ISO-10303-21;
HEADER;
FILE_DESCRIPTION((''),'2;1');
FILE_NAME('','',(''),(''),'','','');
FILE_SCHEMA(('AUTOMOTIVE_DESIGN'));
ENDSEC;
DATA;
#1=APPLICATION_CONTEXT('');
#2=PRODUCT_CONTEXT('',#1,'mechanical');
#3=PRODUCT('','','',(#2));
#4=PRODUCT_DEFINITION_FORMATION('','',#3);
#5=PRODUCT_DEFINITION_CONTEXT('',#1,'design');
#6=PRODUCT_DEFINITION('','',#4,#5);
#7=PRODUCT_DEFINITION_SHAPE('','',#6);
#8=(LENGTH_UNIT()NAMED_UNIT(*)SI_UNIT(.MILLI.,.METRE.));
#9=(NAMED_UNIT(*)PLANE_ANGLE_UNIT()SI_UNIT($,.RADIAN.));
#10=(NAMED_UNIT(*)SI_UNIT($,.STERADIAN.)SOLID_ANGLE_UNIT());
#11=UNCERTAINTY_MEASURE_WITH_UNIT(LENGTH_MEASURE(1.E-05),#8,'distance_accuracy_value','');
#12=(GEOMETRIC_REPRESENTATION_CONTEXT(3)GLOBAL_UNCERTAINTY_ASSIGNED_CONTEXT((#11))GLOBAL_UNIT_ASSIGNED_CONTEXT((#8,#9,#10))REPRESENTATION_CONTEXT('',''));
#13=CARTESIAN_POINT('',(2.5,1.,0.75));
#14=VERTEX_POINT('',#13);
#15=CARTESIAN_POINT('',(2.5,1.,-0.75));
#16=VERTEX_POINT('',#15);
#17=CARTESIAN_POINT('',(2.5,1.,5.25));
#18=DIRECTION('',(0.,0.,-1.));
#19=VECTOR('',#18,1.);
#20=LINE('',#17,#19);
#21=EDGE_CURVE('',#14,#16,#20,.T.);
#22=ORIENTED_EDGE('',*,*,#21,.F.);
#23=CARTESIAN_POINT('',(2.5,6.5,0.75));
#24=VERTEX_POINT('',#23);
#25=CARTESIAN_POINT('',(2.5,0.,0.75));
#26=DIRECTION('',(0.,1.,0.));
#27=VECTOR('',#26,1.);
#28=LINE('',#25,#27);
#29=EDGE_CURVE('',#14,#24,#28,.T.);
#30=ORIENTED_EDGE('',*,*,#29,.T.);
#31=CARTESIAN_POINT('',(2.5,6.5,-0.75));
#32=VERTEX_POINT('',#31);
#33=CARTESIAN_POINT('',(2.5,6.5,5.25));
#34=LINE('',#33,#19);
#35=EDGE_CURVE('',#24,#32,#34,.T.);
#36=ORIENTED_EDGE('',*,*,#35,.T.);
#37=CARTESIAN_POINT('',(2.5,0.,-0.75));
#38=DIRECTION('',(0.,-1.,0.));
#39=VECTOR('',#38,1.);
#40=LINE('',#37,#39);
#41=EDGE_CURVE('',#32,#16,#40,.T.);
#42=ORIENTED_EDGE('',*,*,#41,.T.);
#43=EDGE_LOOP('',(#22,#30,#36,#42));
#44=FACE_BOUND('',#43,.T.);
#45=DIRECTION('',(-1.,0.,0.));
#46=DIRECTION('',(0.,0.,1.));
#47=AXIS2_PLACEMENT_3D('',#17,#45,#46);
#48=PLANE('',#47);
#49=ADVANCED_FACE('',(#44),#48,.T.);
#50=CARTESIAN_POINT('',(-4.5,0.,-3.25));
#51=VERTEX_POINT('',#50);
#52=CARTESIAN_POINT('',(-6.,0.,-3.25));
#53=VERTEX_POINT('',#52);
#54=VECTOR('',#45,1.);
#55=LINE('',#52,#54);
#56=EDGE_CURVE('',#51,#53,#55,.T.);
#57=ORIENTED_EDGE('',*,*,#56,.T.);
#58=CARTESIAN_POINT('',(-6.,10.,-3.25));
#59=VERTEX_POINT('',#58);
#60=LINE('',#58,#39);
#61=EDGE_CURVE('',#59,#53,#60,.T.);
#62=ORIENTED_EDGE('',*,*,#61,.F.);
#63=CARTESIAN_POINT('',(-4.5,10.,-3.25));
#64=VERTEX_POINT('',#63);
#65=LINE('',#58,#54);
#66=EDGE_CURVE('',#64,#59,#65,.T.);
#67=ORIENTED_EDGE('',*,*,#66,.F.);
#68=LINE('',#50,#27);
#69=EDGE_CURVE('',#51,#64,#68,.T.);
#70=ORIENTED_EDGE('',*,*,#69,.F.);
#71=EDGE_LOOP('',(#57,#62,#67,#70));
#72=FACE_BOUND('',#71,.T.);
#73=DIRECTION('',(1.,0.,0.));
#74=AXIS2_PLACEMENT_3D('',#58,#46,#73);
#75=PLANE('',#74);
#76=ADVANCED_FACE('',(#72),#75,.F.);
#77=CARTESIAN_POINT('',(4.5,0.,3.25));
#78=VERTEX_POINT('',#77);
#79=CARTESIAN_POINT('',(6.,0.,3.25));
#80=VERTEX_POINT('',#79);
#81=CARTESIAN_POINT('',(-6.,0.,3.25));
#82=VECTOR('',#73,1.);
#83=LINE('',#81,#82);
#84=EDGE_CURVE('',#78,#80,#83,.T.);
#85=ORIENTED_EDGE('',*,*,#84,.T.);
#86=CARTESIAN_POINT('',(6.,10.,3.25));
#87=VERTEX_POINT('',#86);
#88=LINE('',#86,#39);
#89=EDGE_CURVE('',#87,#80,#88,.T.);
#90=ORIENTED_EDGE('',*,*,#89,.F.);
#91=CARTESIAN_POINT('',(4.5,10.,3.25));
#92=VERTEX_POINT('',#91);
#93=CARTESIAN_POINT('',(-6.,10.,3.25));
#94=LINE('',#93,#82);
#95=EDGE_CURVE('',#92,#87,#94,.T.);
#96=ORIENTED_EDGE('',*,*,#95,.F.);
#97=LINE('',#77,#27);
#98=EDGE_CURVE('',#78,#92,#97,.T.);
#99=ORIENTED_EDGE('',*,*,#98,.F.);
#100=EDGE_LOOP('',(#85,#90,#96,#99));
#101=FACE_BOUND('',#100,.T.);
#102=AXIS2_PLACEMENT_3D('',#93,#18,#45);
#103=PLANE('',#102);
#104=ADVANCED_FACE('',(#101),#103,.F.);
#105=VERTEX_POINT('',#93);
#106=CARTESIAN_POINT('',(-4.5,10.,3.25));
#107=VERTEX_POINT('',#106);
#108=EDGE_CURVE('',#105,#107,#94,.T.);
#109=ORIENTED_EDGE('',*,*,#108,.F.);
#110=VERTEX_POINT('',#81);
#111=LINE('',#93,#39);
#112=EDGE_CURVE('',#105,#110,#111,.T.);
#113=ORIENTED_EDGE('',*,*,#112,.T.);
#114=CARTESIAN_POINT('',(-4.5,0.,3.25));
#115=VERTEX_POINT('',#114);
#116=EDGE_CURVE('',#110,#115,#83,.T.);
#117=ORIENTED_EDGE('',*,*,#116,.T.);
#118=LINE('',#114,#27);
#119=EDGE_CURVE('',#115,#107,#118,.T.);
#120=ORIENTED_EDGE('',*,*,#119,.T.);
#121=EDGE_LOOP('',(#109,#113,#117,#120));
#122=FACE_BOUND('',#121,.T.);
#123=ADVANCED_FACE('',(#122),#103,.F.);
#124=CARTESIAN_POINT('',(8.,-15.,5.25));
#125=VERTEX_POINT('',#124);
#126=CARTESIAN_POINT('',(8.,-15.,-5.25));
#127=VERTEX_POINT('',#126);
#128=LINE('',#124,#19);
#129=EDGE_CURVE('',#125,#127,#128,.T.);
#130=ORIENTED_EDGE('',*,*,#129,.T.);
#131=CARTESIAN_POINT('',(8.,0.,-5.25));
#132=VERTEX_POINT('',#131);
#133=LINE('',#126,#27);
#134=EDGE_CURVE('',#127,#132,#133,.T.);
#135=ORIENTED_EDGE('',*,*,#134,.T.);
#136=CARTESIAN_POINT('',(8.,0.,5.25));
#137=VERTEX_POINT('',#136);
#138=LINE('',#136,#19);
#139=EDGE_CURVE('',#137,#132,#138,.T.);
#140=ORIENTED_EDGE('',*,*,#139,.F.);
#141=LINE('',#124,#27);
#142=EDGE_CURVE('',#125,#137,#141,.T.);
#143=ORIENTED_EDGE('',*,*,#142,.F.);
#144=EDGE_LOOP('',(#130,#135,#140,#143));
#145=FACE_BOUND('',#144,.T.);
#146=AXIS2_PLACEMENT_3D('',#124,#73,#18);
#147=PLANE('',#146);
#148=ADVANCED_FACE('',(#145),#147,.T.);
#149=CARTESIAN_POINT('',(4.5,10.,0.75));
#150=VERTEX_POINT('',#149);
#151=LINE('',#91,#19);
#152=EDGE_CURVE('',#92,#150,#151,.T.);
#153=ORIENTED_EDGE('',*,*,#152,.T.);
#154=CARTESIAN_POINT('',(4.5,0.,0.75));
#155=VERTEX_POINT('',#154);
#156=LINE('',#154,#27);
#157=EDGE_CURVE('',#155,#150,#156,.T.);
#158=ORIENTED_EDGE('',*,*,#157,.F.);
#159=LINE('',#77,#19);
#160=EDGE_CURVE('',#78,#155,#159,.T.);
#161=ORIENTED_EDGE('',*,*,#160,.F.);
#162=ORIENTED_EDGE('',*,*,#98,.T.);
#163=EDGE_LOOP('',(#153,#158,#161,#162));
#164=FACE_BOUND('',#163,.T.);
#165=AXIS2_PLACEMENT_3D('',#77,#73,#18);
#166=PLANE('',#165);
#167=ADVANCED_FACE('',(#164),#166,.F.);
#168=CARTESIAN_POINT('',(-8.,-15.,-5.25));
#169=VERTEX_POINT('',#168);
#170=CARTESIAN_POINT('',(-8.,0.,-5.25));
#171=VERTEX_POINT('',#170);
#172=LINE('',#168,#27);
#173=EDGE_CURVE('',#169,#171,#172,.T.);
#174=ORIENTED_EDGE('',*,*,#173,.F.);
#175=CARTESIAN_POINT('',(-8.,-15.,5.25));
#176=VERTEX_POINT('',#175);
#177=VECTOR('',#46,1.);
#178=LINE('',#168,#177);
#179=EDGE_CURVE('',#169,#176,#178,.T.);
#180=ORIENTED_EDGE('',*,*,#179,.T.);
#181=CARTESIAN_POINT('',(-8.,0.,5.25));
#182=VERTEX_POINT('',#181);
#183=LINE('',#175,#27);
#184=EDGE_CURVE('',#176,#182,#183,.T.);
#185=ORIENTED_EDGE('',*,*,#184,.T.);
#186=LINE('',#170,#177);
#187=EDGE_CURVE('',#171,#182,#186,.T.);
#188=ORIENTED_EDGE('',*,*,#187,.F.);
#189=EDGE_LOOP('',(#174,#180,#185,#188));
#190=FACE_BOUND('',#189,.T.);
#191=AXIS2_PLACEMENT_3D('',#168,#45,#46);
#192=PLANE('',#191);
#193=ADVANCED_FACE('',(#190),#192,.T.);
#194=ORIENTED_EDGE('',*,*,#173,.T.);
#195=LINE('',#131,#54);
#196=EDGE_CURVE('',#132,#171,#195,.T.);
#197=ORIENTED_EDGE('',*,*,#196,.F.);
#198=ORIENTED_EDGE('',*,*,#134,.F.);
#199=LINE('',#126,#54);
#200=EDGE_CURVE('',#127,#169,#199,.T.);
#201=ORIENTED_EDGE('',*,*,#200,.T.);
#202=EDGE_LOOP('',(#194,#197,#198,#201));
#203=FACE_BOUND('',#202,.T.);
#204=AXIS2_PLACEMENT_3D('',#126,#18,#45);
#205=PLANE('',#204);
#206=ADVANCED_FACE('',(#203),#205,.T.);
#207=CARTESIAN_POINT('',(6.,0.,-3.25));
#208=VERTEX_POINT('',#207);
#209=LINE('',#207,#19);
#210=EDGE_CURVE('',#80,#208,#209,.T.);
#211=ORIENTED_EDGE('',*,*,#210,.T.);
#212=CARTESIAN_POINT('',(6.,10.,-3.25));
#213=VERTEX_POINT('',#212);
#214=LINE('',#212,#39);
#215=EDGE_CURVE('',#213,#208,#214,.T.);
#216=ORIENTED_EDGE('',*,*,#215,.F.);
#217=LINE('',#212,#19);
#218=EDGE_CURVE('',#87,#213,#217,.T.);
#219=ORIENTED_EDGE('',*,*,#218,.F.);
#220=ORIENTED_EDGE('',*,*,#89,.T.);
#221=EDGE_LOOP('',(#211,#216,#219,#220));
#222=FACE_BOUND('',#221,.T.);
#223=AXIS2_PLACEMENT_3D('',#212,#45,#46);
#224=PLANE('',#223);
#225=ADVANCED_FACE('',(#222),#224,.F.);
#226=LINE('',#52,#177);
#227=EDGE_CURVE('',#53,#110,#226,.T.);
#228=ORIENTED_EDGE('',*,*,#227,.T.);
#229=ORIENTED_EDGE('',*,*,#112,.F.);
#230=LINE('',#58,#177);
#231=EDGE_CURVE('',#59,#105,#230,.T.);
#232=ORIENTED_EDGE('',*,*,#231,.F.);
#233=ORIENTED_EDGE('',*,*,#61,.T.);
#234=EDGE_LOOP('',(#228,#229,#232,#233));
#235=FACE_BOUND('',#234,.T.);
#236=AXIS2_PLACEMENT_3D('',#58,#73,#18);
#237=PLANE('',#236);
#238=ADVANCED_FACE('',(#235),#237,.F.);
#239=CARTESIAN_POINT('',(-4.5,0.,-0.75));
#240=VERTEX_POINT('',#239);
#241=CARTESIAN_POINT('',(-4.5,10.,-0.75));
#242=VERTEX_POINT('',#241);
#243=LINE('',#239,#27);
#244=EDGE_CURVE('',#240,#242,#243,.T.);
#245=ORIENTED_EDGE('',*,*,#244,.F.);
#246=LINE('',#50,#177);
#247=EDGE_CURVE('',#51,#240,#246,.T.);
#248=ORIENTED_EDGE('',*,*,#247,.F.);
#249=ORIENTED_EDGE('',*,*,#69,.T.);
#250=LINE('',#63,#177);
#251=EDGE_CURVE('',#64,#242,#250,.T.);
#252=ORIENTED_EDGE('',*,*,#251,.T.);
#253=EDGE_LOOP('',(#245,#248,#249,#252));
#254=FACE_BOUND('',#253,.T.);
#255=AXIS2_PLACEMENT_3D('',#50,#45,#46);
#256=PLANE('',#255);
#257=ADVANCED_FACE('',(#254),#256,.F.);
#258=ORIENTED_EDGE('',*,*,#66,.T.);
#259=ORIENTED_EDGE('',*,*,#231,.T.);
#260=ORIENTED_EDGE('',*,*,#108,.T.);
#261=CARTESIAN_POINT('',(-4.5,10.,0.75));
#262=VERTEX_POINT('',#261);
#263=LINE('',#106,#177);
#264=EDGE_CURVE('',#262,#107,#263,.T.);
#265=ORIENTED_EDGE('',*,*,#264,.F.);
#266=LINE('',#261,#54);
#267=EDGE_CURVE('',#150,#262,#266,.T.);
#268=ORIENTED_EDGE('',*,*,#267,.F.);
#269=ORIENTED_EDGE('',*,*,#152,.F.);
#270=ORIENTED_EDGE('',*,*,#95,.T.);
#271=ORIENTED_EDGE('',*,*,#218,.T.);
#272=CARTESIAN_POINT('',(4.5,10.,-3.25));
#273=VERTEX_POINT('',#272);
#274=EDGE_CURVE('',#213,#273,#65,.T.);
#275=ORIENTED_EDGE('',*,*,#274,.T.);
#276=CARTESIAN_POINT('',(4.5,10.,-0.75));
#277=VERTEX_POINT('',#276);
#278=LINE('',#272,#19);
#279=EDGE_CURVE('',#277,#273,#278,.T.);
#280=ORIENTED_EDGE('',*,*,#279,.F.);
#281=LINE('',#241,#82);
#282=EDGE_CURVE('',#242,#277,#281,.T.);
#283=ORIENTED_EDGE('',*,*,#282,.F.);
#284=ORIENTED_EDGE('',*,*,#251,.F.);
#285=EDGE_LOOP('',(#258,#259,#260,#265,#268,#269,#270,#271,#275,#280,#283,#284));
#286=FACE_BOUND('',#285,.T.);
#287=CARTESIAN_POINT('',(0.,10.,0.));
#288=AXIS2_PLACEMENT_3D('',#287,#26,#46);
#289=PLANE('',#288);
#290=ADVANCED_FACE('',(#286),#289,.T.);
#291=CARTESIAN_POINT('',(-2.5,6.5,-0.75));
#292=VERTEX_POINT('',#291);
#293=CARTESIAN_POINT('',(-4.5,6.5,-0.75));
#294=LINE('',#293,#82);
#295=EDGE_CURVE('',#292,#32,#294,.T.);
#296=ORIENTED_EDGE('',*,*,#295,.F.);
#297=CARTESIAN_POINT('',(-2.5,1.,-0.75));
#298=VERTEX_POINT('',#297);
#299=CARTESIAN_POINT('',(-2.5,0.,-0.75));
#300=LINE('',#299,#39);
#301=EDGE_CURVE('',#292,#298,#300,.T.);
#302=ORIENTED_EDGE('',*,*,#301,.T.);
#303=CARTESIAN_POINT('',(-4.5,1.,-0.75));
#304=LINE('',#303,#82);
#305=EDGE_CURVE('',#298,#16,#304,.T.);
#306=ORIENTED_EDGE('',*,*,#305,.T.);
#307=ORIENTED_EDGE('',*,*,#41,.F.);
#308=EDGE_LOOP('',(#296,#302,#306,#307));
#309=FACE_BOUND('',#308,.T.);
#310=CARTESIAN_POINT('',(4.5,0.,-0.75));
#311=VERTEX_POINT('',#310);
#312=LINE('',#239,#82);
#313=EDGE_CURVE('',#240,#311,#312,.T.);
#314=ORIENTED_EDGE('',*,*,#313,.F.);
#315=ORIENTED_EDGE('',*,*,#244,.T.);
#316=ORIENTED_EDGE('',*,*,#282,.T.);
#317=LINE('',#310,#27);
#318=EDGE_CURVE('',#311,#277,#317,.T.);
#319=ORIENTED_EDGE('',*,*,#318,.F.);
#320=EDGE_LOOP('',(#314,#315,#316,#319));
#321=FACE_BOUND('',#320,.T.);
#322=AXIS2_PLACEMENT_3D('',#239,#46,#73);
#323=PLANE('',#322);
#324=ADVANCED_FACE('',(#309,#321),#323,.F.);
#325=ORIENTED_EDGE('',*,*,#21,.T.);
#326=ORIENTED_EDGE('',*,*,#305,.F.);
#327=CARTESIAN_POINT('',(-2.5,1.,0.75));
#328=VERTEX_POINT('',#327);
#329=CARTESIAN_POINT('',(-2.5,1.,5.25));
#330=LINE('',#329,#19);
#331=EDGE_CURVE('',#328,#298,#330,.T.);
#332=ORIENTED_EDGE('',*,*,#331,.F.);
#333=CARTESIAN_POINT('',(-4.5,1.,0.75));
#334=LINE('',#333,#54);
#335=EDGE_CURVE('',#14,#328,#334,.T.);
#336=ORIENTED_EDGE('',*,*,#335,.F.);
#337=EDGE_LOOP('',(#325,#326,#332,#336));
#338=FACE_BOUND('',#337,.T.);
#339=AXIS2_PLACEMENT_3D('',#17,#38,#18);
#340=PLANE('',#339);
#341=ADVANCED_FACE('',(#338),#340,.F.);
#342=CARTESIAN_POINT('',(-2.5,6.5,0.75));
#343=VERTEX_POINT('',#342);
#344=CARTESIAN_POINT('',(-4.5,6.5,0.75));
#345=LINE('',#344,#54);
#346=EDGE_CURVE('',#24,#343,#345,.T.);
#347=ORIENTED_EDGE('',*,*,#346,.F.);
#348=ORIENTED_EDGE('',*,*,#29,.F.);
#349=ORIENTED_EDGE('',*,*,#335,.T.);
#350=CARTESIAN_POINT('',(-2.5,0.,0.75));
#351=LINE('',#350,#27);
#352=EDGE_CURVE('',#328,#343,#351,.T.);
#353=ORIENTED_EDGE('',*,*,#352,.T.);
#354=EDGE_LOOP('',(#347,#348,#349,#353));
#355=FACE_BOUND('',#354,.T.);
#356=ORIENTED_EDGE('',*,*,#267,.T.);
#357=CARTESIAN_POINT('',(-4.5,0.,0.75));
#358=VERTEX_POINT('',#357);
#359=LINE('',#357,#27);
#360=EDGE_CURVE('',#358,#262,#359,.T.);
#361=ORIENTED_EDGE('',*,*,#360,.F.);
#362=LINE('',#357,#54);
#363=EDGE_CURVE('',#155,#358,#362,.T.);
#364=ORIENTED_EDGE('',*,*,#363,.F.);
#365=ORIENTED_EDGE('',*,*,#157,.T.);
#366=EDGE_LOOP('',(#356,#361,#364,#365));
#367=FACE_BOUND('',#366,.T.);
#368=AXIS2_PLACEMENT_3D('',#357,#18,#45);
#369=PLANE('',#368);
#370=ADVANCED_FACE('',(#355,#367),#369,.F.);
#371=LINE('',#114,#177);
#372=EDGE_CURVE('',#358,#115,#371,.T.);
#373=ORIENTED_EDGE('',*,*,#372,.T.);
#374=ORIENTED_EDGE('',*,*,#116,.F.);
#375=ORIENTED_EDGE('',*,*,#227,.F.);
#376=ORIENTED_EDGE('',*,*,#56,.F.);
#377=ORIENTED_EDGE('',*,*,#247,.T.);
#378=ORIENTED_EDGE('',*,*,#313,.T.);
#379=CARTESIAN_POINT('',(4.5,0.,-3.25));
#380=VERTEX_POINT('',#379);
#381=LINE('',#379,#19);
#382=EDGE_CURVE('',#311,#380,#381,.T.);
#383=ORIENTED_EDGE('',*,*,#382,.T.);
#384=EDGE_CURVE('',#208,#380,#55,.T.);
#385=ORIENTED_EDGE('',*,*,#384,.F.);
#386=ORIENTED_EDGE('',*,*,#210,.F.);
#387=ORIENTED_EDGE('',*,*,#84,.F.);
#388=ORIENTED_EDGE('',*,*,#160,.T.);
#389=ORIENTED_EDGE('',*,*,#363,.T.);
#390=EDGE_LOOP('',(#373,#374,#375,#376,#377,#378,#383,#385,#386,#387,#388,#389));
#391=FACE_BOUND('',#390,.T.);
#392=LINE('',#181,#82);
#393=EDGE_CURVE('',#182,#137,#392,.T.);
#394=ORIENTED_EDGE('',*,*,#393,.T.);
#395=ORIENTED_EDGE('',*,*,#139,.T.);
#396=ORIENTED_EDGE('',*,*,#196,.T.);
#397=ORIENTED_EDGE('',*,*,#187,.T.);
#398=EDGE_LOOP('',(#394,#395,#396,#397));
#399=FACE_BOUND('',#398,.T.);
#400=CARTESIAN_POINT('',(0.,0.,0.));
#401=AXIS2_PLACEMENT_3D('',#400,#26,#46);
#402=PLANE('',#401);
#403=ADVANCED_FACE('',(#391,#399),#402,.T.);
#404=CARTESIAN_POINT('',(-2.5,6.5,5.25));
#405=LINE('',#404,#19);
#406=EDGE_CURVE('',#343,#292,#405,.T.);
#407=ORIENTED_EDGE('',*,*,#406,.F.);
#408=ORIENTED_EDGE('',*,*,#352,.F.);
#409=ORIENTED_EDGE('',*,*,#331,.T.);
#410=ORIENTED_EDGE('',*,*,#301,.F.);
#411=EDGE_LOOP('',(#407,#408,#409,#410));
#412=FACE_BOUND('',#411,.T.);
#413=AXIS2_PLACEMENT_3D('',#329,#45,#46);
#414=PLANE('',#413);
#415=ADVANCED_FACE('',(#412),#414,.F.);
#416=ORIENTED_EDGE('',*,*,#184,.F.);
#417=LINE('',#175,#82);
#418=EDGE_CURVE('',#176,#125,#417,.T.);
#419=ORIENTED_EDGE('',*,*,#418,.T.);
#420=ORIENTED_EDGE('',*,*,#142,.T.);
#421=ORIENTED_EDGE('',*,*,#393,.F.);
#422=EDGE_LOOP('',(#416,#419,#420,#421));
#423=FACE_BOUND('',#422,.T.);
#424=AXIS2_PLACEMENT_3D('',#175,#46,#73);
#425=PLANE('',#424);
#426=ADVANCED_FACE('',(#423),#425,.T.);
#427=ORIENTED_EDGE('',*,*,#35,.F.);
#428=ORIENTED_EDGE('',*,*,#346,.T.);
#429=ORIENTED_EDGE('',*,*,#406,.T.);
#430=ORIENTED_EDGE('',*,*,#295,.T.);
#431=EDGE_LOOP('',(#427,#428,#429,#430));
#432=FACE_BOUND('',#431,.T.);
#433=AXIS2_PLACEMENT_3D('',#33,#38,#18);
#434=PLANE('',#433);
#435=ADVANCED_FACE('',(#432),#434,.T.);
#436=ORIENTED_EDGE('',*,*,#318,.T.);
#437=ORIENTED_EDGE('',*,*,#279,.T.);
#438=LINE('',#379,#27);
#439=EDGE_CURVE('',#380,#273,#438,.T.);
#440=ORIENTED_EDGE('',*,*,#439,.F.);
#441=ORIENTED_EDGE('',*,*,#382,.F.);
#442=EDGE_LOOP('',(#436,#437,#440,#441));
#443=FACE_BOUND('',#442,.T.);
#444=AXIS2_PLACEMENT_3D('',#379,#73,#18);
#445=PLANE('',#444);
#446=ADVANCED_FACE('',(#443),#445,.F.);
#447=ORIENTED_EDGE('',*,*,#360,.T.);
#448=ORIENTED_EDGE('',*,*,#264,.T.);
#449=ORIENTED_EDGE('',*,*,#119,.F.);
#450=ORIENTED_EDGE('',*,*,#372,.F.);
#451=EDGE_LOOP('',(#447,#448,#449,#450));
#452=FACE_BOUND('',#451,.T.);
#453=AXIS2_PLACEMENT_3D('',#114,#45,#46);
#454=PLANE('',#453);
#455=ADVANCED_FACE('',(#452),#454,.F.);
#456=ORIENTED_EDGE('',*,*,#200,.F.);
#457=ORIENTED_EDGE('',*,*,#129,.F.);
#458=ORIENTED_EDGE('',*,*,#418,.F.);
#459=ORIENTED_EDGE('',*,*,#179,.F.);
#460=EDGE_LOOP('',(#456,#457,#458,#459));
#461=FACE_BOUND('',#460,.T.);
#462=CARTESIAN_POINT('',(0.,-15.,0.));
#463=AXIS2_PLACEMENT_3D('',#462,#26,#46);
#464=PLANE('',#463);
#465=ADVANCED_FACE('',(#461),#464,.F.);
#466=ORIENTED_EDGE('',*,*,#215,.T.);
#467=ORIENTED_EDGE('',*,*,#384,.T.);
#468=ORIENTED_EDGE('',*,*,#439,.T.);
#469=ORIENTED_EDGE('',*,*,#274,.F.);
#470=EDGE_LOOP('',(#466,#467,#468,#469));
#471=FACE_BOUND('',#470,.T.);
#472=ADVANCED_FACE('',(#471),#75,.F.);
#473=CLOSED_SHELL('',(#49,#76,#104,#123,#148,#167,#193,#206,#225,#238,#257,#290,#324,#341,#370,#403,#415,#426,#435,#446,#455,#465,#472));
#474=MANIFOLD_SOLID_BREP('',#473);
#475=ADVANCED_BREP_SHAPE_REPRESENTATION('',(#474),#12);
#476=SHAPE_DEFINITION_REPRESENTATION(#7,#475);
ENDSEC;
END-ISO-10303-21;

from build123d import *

# Parameters (mm, degrees)
SKETCH1_W               = 12
SKETCH1_H               = 6.5
BOSS_EXTRUDE1_DEPTH     = 10
SKETCH2_W               = 16
SKETCH2_H               = 10.5
BOSS_EXTRUDE2_DEPTH     = 15
SKETCH3_W               = 9
SKETCH3_H               = 2.5
CUT_EXTRUDE1_DEPTH      = 10
CUT_EXTRUDE2_DEPTH      = 19.027756377
CUT_EXTRUDE2_DEPTH_BACK = 19.027756377
SKETCH4_W               = 5
SKETCH4_H               = 5.5


with BuildPart() as part:
    # Sketch1 → Boss-Extrude1 (new body)
    with BuildSketch(Plane(origin=(0, 0, 0), x_dir=(1, 0, 0), z_dir=(0, 1, 0))):
        Rectangle(SKETCH1_W, SKETCH1_H)
    extrude(amount=BOSS_EXTRUDE1_DEPTH)

    # Sketch2 → Boss-Extrude2 (add)
    with BuildSketch(Plane(origin=(0, 0, 0), x_dir=(1, 0, 0), z_dir=(0, 1, 0))):
        Rectangle(SKETCH2_W, SKETCH2_H)
    extrude(amount=-BOSS_EXTRUDE2_DEPTH)

    # Sketch3 → Cut-Extrude1 (cut)
    with BuildSketch(Plane(origin=(0, 10, 0), x_dir=(1, 0, 0), z_dir=(0, 1, 0))):
        with Locations((0, 2)):
            Rectangle(SKETCH3_W, SKETCH3_H)
        with Locations((0, -2)):
            Rectangle(SKETCH3_W, SKETCH3_H)
    extrude(amount=-CUT_EXTRUDE1_DEPTH, mode=Mode.SUBTRACT)

    # Sketch4 → Cut-Extrude2 (cut, two sides: drawn at the far end of the back side and taken through both)
    with BuildSketch(Plane(origin=(0, 0, -0.75), x_dir=(-1, 0, 0), z_dir=(0, 0, -1)).offset(-CUT_EXTRUDE2_DEPTH_BACK)):
        with Locations((0, 3.75)):
            Rectangle(SKETCH4_W, SKETCH4_H)
    extrude(amount=CUT_EXTRUDE2_DEPTH + CUT_EXTRUDE2_DEPTH_BACK, mode=Mode.SUBTRACT)


solid = part.part
